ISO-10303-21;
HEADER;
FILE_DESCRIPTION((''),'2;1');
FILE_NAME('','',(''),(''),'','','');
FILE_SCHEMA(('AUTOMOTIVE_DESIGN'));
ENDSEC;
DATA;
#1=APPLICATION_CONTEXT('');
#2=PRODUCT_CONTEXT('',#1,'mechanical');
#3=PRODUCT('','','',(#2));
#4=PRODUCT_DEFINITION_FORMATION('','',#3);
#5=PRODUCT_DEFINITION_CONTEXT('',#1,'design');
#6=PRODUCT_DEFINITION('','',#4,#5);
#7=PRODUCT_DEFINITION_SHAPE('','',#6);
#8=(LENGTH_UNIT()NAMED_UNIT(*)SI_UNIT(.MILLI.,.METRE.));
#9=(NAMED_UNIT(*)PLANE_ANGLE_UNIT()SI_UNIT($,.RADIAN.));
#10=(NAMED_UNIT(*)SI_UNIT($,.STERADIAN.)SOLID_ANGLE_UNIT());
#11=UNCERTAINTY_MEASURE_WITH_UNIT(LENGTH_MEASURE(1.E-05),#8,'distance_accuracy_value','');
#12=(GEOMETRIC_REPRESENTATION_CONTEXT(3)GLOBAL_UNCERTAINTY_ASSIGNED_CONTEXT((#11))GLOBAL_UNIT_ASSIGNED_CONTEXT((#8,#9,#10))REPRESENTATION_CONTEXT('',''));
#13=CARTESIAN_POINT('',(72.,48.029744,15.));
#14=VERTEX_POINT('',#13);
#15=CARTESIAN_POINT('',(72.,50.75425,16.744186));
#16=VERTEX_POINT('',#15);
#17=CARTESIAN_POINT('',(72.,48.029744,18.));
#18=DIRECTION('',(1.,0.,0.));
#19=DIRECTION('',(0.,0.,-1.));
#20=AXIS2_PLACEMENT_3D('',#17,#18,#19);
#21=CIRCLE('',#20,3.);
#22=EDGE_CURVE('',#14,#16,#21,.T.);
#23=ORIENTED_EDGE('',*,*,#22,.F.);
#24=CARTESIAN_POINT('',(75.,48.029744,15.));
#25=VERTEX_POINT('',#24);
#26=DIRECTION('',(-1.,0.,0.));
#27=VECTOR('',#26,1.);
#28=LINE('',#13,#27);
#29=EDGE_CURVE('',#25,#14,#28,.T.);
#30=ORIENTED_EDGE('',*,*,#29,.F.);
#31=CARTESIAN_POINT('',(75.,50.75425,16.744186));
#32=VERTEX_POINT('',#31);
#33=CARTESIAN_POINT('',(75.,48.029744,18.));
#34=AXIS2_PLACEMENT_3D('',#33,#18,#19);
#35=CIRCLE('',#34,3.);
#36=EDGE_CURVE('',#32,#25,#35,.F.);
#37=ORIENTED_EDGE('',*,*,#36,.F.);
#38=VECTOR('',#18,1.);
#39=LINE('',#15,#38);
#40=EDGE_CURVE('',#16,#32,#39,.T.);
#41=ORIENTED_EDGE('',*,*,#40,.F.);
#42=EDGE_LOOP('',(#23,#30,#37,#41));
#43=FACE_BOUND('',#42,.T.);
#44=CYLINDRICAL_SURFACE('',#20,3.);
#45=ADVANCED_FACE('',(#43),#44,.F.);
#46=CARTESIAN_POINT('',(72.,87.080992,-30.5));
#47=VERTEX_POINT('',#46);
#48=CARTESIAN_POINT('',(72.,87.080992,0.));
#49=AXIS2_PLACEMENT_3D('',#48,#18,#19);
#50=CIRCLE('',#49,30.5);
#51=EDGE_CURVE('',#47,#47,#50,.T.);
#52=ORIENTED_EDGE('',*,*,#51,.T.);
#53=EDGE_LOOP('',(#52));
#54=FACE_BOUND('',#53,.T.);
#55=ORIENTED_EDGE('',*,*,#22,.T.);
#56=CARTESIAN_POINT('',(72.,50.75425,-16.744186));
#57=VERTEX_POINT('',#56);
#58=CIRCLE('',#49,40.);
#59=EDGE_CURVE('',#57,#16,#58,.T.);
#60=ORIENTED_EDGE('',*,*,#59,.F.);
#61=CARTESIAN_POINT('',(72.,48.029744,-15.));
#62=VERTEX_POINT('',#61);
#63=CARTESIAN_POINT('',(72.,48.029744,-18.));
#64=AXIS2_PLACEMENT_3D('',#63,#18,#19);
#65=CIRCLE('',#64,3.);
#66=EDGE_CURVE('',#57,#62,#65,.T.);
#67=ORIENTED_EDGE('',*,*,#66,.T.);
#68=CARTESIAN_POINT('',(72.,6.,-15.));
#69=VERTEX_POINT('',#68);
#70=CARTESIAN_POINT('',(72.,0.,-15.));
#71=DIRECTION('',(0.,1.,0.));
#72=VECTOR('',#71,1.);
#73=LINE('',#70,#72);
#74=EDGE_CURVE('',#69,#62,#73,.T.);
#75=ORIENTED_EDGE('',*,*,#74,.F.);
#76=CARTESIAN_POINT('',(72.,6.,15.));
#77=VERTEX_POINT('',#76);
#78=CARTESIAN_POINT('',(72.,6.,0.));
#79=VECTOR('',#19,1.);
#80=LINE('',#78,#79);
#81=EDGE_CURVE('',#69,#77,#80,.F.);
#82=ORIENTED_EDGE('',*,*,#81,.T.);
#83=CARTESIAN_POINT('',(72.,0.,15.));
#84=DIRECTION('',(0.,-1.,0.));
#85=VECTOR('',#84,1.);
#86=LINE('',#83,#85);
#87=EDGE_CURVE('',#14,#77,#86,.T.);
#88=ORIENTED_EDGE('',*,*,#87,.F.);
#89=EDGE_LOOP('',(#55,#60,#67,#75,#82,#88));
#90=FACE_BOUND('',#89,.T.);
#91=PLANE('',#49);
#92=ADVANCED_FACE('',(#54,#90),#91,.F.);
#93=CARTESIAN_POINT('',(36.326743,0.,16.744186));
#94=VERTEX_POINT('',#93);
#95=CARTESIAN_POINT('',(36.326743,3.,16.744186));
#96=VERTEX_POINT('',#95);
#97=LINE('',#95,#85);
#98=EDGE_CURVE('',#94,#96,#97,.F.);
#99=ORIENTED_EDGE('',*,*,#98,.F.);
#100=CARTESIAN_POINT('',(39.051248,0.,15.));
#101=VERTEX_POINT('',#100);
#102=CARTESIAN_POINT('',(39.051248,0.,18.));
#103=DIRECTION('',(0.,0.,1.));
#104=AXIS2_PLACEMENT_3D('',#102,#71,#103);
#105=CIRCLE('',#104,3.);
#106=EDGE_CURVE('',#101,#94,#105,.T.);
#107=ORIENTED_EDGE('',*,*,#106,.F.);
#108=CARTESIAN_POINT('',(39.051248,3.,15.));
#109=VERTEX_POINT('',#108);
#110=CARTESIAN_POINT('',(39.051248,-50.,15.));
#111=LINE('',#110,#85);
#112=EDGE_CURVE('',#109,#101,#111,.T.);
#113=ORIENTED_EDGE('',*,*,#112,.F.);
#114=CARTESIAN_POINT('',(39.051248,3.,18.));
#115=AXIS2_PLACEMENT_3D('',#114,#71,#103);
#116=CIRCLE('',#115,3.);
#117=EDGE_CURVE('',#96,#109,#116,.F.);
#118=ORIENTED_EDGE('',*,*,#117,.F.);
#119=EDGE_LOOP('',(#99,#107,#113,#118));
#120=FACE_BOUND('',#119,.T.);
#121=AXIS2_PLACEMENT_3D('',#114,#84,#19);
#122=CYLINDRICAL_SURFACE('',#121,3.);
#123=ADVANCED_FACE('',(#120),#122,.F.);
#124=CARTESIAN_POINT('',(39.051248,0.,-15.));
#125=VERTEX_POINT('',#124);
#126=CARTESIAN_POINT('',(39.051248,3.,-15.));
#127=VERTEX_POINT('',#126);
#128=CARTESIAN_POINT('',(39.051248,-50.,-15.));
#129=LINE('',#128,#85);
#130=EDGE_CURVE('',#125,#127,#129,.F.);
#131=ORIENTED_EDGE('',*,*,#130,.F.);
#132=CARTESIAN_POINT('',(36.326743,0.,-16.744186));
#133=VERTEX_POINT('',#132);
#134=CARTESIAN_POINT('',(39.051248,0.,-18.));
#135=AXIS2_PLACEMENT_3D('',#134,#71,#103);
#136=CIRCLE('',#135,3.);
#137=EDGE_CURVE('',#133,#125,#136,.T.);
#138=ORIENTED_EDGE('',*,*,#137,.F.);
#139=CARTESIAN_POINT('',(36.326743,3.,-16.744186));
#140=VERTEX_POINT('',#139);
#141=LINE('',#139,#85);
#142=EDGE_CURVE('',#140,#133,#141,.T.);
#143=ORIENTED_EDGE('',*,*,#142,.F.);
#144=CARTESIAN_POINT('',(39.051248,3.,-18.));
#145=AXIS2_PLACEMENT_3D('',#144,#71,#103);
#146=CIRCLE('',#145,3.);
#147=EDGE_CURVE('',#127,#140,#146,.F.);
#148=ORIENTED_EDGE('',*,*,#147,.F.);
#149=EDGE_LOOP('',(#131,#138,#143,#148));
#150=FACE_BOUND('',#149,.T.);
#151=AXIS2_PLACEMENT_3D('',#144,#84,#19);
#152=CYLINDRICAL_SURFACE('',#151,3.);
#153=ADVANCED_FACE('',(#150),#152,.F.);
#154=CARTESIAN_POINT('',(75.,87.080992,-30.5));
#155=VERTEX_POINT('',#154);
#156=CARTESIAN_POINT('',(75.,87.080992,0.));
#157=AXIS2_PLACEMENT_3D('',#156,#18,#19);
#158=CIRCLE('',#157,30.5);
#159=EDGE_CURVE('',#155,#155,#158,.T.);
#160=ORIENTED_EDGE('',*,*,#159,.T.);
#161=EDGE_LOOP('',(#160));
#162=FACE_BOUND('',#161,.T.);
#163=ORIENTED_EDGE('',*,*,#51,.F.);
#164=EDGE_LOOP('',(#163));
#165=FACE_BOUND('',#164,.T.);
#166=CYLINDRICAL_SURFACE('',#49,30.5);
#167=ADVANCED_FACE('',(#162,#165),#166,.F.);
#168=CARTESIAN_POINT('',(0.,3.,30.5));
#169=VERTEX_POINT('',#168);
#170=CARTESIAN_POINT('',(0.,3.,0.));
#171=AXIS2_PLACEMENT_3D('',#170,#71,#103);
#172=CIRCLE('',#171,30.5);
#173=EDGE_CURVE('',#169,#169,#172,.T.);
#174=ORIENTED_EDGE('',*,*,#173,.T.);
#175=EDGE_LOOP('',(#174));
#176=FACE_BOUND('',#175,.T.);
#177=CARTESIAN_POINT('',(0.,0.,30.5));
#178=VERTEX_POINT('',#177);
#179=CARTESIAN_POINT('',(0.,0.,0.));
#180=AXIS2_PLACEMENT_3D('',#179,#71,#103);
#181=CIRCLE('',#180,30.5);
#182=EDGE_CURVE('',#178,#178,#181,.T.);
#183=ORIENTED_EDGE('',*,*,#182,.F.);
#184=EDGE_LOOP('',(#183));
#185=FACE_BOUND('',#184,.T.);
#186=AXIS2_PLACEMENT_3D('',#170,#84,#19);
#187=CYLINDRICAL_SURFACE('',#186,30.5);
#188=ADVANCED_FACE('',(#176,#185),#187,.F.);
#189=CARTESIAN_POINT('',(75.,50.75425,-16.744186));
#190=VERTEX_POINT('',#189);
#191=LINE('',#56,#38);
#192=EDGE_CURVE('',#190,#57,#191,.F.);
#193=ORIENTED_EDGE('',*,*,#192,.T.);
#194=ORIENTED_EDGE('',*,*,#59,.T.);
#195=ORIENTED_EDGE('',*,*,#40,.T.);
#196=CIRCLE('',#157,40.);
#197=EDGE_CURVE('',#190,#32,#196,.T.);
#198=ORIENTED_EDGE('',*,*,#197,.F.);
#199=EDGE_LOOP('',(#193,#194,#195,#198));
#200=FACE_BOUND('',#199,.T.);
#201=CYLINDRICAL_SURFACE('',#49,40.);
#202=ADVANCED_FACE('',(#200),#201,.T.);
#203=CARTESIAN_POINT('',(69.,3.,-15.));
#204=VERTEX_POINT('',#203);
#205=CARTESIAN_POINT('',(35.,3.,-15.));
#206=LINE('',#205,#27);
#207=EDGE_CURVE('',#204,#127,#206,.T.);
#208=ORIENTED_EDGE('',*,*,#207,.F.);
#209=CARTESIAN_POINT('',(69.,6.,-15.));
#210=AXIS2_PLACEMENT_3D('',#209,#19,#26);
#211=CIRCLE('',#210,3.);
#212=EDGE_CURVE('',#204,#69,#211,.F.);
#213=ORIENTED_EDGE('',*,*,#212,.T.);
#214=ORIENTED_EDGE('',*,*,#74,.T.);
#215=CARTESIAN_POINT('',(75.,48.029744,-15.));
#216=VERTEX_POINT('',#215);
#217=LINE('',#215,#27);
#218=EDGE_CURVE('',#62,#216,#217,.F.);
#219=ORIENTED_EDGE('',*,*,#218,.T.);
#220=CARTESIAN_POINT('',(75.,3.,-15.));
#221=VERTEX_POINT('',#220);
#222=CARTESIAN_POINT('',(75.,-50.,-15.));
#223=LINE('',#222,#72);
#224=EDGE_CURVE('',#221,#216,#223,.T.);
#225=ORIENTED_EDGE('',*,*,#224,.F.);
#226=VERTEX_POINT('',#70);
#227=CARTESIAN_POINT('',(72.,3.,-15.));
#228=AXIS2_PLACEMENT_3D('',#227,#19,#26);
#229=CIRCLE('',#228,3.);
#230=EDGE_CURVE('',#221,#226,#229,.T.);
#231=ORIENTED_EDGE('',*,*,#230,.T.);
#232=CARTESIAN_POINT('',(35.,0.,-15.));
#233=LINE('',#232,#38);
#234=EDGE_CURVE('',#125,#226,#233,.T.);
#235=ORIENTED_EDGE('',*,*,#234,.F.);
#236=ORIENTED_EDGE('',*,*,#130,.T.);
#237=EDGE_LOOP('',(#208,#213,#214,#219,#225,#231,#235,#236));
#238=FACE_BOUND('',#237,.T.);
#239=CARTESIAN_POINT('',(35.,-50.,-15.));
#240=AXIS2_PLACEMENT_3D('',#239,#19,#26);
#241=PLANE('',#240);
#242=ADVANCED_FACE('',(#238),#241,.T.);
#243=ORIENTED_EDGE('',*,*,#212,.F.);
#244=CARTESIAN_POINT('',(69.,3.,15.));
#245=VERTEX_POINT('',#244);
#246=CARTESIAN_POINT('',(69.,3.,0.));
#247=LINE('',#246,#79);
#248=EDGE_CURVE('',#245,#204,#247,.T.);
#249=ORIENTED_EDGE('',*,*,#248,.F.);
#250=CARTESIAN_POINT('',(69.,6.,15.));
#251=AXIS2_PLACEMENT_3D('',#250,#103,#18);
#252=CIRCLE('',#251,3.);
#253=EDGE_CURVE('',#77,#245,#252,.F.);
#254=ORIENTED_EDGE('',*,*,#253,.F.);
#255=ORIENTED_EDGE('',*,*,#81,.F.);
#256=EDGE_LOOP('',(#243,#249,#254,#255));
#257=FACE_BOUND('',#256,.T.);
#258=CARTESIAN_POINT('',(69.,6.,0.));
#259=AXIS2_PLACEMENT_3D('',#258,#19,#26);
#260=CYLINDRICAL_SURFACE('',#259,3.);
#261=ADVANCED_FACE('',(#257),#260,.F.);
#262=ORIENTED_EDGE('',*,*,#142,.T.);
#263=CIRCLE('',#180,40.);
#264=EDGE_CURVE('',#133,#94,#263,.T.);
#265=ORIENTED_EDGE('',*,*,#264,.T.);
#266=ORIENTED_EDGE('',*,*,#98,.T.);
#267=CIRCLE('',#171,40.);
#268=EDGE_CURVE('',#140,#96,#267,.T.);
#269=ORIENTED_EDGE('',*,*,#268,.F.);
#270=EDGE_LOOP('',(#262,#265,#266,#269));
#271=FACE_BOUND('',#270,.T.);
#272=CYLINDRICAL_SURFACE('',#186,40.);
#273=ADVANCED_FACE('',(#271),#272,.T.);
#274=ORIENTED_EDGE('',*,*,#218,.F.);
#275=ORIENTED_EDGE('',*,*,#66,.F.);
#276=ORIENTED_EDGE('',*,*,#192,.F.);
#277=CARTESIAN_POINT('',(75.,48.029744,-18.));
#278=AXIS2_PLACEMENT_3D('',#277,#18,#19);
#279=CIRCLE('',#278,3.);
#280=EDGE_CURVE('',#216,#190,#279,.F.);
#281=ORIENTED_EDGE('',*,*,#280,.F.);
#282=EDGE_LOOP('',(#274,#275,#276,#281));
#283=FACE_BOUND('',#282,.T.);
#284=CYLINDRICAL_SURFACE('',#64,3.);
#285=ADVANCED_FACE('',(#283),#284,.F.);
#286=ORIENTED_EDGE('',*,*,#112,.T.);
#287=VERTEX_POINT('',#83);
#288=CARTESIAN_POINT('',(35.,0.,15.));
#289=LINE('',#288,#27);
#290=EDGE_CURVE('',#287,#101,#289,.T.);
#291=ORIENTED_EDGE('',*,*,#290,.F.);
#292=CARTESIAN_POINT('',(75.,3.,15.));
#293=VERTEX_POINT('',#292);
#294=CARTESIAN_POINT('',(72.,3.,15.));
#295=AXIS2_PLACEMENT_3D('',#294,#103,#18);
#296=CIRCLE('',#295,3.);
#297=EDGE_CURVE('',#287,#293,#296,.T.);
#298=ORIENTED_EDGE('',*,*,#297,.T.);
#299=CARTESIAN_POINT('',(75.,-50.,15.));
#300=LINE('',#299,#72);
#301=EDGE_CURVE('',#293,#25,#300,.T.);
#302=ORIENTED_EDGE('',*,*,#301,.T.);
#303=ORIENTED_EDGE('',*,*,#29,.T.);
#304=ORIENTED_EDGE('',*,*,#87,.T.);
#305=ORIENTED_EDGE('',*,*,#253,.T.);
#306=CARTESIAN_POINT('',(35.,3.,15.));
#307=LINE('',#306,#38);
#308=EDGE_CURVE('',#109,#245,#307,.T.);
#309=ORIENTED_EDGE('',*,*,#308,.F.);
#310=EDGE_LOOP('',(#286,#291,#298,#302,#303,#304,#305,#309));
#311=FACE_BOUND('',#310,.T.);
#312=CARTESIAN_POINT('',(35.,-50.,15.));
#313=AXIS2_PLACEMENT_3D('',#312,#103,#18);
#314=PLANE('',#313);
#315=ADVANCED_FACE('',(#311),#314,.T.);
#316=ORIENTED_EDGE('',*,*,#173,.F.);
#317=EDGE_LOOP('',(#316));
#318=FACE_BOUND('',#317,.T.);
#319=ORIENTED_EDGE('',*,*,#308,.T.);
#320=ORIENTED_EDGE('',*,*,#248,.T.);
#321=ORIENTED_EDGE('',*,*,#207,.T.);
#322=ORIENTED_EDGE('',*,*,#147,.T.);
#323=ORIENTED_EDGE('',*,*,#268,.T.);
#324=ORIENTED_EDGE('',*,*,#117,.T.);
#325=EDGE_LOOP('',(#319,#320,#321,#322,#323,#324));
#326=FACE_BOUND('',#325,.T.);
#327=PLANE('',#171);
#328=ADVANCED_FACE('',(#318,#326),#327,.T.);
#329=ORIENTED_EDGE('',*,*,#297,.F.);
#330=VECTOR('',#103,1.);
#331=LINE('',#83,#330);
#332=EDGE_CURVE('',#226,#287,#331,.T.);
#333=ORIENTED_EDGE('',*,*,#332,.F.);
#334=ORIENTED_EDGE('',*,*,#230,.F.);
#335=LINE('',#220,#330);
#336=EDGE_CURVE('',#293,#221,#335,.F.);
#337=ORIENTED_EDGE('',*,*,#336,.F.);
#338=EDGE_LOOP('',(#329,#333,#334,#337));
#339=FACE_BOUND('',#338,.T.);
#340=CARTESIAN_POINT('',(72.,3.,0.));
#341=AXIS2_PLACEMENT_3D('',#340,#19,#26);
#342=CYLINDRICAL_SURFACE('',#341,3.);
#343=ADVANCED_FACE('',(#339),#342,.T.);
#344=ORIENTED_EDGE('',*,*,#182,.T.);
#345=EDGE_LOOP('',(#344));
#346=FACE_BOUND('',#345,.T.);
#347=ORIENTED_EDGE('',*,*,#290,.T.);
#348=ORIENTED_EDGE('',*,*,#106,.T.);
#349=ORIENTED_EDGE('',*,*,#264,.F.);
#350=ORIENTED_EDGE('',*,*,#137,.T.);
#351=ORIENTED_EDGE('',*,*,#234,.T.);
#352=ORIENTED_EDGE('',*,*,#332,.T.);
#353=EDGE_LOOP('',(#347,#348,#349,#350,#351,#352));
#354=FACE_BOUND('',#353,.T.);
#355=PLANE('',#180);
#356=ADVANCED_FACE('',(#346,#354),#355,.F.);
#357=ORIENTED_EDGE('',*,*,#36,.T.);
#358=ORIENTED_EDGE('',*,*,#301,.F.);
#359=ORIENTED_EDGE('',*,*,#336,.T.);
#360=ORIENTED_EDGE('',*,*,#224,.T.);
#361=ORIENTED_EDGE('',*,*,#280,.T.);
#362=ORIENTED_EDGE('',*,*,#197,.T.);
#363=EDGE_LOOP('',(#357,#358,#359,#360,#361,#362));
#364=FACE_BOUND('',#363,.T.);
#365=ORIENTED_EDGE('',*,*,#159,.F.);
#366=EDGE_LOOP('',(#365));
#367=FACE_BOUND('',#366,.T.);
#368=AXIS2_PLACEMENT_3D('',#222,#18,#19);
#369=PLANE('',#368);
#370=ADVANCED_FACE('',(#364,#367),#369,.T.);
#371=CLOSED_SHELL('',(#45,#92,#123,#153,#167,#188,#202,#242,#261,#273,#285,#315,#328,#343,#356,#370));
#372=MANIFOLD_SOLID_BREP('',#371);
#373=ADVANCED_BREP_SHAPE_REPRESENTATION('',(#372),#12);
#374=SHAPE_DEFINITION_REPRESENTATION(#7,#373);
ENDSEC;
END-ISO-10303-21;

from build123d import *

# Parameters (mm, degrees)
SKETCH1_R           = 40
SKETCH1_R_2         = 30.5
BOSS_EXTRUDE1_DEPTH = 3
SKETCH2_W           = 40
SKETCH2_H           = 30
BOSS_EXTRUDE2_DEPTH = 3
SKETCH3_R           = 30.5
BOSS_EXTRUDE3_DEPTH = 3
FILLET1_R           = 3
FILLET2_R           = 3


with BuildPart() as part:
    # Sketch1 → Boss-Extrude1 (new body)
    with BuildSketch(Plane(origin=(0, 0, 0), x_dir=(1, 0, 0), z_dir=(0, 1, 0))):
        Circle(SKETCH1_R)
        Circle(SKETCH1_R_2, mode=Mode.SUBTRACT)
    extrude(amount=BOSS_EXTRUDE1_DEPTH)

    # Sketch2 → Boss-Extrude2 (add)
    with BuildSketch(Plane(origin=(0, 3, 0), x_dir=(1, 0, 0), z_dir=(0, 1, 0))):
        with Locations((55, 0)):
            Rectangle(SKETCH2_W, SKETCH2_H)
    extrude(amount=-BOSS_EXTRUDE2_DEPTH)

    # Sketch3 → Boss-Extrude3 (add)
    with BuildSketch(Plane(origin=(75, 0, 0), x_dir=(0, 0, -1), z_dir=(1, 0, 0))):
        with BuildLine():
            Line((-15, 0), (15, 0))
            Line((15, 0), (15, 50))
            ThreePointArc((15, 50), (0, 127.080992435), (-15, 50))
            Line((-15, 50), (-15, 0))
        make_face()
        with Locations((0, 87.080992435)):
            Circle(SKETCH3_R, mode=Mode.SUBTRACT)
    extrude(amount=-BOSS_EXTRUDE3_DEPTH)

    # Fillet1
    fillet1_edges = [part.edges().sort_by_distance(p)[0] for p in [
        (37.080992435, 1.5, 15),
        (37.080992435, 1.5, -15),
        (73.5, 50, 15),
        (73.5, 50, -15),
    ]]
    fillet(fillet1_edges, radius=FILLET1_R)

    # Fillet2
    fillet2_edges = [part.edges().sort_by_distance(p)[0] for p in [
        (75, 0, 0),
        (72, 3, 0),
    ]]
    fillet(fillet2_edges, radius=FILLET2_R)


solid = part.part
